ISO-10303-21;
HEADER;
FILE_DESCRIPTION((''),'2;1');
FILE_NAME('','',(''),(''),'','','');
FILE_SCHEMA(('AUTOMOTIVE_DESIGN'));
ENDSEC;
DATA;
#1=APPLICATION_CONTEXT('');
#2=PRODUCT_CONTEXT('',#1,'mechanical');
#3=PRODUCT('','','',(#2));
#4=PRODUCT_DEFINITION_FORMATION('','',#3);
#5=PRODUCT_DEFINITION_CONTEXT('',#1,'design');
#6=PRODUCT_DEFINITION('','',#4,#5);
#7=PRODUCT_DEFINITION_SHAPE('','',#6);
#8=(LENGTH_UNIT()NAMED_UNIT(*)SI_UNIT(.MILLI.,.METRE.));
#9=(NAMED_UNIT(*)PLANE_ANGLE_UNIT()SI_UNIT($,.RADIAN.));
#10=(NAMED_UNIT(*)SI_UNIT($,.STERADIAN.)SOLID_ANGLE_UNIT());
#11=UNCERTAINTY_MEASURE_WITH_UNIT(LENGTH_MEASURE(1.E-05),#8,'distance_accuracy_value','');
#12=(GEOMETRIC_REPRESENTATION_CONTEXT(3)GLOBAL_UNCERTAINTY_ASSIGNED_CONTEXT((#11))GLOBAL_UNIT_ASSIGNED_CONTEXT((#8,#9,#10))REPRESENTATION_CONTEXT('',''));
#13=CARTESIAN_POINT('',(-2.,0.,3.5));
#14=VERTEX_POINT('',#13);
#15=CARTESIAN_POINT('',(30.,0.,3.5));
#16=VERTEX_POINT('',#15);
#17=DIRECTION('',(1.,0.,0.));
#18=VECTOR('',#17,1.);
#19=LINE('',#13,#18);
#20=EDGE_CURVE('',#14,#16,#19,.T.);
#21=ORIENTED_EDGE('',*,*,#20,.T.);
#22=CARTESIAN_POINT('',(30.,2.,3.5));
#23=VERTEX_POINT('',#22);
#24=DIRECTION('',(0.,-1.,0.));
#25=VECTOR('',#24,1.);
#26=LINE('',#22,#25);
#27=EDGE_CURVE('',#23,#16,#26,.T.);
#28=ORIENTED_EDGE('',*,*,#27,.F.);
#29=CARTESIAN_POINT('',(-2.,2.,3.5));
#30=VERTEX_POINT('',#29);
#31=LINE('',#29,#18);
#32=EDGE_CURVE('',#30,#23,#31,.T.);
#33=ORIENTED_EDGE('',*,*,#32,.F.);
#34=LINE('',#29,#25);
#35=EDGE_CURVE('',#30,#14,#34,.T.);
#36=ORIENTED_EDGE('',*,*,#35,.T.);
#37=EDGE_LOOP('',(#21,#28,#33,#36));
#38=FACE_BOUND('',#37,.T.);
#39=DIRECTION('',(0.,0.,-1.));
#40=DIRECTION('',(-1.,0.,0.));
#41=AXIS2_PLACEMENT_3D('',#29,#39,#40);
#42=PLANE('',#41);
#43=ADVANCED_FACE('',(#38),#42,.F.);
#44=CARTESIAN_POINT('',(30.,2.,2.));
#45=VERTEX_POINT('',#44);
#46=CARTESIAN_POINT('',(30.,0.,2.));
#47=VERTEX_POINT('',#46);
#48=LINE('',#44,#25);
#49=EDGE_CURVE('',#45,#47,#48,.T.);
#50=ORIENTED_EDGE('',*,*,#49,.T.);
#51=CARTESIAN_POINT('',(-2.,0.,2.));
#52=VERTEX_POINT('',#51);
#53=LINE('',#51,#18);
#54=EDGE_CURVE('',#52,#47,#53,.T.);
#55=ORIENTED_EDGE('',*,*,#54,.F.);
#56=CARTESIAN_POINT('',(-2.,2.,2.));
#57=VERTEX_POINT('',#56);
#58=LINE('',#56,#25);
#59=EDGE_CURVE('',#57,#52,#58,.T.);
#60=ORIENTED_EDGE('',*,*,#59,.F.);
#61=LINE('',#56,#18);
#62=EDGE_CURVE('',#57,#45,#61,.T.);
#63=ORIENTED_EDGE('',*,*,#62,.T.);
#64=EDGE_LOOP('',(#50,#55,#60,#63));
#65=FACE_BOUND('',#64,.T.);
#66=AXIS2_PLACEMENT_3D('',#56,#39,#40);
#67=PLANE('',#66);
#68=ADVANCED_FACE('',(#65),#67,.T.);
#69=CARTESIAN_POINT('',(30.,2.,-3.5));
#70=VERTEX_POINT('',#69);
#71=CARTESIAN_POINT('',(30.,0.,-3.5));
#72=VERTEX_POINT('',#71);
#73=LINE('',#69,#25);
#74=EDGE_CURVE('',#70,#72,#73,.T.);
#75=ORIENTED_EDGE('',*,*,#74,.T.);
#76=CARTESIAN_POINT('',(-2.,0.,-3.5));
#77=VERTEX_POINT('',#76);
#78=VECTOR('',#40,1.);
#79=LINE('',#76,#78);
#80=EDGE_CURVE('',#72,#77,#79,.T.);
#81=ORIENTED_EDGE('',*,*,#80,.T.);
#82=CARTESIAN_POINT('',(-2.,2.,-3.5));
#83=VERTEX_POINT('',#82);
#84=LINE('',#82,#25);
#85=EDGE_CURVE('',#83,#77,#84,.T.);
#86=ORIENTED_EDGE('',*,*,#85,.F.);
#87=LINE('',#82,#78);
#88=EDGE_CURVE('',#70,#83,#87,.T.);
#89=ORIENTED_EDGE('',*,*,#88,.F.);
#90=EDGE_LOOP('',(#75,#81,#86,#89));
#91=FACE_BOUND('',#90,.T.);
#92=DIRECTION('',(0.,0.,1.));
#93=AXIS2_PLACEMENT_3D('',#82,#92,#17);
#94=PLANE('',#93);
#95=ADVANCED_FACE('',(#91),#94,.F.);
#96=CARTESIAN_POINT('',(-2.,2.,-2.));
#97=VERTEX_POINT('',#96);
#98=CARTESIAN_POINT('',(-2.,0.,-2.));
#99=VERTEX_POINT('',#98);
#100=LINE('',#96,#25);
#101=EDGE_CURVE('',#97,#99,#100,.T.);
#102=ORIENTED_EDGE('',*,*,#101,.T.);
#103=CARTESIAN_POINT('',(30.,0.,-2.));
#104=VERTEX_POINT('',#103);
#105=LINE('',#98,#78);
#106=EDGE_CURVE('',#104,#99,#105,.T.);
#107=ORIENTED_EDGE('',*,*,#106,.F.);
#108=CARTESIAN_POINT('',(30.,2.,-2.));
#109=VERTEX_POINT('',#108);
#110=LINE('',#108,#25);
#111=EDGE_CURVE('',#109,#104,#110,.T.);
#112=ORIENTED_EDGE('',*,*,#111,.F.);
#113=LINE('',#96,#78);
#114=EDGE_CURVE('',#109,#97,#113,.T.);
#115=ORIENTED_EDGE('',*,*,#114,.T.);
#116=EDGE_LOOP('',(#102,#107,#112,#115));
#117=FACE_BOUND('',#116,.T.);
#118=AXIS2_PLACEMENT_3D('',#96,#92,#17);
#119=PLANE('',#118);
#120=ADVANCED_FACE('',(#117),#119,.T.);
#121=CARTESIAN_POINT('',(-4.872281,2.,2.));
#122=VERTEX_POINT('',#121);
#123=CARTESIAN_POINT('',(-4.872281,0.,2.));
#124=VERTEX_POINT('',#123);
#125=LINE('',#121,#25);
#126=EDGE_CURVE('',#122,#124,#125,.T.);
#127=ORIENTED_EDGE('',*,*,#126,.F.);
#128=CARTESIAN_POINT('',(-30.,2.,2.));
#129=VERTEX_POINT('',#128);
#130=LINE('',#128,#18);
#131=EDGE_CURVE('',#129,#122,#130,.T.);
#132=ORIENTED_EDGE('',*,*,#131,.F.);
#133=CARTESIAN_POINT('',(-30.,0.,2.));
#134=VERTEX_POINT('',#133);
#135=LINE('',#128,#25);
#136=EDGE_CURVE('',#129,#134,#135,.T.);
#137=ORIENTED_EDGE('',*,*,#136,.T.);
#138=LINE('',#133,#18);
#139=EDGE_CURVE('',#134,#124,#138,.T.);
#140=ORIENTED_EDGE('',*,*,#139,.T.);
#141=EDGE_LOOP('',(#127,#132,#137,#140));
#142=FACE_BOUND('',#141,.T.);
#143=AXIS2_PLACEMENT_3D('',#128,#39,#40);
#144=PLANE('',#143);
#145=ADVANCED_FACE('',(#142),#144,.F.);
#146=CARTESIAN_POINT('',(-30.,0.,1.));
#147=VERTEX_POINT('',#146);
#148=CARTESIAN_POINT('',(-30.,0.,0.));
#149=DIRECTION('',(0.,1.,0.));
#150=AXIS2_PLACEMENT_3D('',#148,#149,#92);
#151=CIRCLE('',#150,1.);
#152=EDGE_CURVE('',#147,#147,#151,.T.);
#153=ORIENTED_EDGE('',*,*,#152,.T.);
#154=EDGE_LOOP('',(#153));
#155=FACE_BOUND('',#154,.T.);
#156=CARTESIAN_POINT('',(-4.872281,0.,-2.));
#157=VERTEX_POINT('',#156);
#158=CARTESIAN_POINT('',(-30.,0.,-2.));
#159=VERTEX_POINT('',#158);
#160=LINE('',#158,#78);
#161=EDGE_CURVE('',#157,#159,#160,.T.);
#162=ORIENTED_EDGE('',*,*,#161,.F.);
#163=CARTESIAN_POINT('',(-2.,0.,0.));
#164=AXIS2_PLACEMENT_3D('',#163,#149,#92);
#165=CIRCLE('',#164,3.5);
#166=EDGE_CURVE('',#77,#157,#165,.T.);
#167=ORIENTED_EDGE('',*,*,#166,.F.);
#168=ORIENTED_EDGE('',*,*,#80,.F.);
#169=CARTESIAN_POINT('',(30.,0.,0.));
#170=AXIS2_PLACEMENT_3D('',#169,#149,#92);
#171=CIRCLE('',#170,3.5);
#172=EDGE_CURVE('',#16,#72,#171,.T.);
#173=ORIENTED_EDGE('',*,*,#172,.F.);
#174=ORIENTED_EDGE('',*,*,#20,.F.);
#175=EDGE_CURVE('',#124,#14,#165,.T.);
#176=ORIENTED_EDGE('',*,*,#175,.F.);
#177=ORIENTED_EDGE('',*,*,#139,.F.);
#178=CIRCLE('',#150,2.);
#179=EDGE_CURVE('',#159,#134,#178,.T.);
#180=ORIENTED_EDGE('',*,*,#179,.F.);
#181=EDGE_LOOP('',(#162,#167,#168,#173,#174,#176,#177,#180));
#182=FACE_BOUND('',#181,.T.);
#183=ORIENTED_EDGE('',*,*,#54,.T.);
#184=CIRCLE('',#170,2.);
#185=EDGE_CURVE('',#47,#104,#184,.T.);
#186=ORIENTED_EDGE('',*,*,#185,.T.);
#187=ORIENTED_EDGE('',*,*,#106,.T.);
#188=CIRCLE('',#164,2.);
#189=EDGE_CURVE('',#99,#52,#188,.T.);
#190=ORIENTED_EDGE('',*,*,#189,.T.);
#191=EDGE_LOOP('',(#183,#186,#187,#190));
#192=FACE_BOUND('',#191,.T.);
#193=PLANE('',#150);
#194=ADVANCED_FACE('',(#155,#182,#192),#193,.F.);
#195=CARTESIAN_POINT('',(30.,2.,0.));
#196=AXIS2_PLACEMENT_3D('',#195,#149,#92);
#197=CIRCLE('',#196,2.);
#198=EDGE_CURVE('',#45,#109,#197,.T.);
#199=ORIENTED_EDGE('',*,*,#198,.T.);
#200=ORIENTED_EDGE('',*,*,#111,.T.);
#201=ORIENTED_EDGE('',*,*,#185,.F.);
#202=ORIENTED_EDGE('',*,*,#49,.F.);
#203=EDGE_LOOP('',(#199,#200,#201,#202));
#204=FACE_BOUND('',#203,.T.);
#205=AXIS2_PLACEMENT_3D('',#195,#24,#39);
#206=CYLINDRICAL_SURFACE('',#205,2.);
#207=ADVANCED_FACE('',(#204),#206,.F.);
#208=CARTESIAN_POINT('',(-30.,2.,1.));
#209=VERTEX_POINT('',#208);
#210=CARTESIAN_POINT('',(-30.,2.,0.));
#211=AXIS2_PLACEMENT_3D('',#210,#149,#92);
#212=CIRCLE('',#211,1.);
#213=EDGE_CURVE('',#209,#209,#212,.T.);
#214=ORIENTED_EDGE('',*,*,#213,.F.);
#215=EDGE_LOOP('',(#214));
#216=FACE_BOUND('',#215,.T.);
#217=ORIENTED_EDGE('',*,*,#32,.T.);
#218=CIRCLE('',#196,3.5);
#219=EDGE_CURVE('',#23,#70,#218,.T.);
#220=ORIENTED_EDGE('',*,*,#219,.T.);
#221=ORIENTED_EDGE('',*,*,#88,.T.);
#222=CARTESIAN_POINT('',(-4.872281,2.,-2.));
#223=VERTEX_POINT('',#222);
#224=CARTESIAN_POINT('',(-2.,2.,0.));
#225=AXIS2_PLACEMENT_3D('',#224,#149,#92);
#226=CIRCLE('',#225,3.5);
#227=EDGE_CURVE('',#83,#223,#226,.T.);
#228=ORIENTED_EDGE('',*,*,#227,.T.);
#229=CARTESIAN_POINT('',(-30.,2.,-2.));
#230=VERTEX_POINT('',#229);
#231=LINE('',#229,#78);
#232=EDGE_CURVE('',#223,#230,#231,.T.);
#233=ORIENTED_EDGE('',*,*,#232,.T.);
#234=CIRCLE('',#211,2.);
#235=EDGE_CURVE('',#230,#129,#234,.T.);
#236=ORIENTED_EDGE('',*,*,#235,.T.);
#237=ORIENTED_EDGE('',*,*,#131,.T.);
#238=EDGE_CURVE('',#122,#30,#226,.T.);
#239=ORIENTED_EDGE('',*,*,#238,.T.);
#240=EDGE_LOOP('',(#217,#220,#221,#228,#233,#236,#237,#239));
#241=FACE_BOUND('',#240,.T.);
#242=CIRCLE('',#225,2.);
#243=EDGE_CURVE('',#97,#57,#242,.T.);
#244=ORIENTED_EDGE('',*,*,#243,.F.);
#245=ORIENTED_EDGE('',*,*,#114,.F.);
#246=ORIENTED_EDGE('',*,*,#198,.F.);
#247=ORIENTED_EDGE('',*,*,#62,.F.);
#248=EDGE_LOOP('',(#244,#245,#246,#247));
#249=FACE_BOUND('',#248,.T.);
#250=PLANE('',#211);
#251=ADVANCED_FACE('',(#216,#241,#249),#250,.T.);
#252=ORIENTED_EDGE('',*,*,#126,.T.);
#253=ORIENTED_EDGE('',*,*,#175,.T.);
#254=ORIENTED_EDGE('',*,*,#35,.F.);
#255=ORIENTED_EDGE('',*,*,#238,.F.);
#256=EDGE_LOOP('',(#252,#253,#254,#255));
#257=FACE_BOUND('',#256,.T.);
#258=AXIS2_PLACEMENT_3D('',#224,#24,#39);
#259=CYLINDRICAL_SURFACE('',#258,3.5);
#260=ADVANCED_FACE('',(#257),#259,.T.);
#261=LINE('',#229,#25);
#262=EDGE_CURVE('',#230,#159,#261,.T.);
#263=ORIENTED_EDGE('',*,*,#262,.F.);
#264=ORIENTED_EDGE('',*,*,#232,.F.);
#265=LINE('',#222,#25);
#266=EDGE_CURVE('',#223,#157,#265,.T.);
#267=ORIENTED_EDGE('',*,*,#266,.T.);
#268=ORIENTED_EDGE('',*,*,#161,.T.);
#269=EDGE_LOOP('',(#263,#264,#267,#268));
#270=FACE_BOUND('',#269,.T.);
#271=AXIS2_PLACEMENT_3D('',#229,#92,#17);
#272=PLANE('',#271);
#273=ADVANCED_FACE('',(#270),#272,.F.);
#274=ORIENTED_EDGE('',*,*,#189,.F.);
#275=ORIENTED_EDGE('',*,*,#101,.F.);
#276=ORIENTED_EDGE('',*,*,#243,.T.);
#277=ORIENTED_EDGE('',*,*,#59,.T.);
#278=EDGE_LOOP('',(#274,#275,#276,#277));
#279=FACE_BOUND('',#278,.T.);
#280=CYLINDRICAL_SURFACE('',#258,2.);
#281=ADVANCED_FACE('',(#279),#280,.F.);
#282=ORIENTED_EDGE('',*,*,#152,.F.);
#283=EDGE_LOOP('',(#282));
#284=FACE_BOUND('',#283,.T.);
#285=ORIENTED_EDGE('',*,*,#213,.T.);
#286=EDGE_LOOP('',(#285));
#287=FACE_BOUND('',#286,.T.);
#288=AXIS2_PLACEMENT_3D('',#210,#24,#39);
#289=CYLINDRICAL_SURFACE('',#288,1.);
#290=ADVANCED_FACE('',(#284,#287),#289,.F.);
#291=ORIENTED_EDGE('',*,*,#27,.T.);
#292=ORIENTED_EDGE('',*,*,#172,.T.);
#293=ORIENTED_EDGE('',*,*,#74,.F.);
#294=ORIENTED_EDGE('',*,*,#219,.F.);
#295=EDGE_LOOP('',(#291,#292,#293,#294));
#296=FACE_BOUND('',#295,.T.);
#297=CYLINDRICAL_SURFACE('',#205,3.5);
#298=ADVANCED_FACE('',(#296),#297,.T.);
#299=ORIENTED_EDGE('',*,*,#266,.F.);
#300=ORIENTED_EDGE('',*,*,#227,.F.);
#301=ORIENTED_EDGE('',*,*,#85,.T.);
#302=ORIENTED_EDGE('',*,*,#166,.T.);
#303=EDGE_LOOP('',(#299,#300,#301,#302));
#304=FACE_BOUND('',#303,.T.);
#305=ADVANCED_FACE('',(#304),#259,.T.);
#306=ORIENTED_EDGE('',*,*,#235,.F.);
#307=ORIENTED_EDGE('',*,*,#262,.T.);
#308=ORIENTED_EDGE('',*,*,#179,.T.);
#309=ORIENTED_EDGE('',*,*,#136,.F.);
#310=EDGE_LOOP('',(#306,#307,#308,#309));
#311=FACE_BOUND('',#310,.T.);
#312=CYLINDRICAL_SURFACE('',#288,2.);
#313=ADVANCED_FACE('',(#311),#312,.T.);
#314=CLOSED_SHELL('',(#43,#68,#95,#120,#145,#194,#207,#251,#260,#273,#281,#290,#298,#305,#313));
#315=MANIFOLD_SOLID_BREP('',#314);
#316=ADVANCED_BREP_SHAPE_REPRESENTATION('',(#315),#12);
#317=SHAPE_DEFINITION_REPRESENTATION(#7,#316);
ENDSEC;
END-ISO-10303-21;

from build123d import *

# Parameters (mm, degrees)
SKETCH_1_R      = 1
EXTRUDE_1_DEPTH = 2


with BuildPart() as part:
    # 草图1 → 凸台-拉伸1 (new body)
    with BuildSketch(Plane(origin=(0, 0, 0), x_dir=(1, 0, 0), z_dir=(0, 1, 0))):
        with BuildLine():
            Line((-30, 2), (-4.872281323, 2))
            ThreePointArc((-4.872281323, 2), (-3.620185175, 3.102418411), (-2, 3.5))
            Line((-2, 3.5), (30, 3.5))
            ThreePointArc((30, 3.5), (33.5, 0), (30, -3.5))
            Line((30, -3.5), (-2, -3.5))
            ThreePointArc((-2, -3.5), (-3.620185175, -3.102418411), (-4.872281323, -2))
            Line((-4.872281323, -2), (-30, -2))
            ThreePointArc((-30, -2), (-32, 0), (-30, 2))
        make_face()
        with Locations(Location((-30, 0, 0), (0, 0, 270))):
            Circle(SKETCH_1_R, mode=Mode.SUBTRACT)
        with BuildLine():
            Line((-2, 2), (30, 2))
            ThreePointArc((30, 2), (32, 0), (30, -2))
            Line((30, -2), (-2, -2))
            ThreePointArc((-2, -2), (-4, 0), (-2, 2))
        make_face(mode=Mode.SUBTRACT)
    extrude(amount=EXTRUDE_1_DEPTH)


solid = part.part
